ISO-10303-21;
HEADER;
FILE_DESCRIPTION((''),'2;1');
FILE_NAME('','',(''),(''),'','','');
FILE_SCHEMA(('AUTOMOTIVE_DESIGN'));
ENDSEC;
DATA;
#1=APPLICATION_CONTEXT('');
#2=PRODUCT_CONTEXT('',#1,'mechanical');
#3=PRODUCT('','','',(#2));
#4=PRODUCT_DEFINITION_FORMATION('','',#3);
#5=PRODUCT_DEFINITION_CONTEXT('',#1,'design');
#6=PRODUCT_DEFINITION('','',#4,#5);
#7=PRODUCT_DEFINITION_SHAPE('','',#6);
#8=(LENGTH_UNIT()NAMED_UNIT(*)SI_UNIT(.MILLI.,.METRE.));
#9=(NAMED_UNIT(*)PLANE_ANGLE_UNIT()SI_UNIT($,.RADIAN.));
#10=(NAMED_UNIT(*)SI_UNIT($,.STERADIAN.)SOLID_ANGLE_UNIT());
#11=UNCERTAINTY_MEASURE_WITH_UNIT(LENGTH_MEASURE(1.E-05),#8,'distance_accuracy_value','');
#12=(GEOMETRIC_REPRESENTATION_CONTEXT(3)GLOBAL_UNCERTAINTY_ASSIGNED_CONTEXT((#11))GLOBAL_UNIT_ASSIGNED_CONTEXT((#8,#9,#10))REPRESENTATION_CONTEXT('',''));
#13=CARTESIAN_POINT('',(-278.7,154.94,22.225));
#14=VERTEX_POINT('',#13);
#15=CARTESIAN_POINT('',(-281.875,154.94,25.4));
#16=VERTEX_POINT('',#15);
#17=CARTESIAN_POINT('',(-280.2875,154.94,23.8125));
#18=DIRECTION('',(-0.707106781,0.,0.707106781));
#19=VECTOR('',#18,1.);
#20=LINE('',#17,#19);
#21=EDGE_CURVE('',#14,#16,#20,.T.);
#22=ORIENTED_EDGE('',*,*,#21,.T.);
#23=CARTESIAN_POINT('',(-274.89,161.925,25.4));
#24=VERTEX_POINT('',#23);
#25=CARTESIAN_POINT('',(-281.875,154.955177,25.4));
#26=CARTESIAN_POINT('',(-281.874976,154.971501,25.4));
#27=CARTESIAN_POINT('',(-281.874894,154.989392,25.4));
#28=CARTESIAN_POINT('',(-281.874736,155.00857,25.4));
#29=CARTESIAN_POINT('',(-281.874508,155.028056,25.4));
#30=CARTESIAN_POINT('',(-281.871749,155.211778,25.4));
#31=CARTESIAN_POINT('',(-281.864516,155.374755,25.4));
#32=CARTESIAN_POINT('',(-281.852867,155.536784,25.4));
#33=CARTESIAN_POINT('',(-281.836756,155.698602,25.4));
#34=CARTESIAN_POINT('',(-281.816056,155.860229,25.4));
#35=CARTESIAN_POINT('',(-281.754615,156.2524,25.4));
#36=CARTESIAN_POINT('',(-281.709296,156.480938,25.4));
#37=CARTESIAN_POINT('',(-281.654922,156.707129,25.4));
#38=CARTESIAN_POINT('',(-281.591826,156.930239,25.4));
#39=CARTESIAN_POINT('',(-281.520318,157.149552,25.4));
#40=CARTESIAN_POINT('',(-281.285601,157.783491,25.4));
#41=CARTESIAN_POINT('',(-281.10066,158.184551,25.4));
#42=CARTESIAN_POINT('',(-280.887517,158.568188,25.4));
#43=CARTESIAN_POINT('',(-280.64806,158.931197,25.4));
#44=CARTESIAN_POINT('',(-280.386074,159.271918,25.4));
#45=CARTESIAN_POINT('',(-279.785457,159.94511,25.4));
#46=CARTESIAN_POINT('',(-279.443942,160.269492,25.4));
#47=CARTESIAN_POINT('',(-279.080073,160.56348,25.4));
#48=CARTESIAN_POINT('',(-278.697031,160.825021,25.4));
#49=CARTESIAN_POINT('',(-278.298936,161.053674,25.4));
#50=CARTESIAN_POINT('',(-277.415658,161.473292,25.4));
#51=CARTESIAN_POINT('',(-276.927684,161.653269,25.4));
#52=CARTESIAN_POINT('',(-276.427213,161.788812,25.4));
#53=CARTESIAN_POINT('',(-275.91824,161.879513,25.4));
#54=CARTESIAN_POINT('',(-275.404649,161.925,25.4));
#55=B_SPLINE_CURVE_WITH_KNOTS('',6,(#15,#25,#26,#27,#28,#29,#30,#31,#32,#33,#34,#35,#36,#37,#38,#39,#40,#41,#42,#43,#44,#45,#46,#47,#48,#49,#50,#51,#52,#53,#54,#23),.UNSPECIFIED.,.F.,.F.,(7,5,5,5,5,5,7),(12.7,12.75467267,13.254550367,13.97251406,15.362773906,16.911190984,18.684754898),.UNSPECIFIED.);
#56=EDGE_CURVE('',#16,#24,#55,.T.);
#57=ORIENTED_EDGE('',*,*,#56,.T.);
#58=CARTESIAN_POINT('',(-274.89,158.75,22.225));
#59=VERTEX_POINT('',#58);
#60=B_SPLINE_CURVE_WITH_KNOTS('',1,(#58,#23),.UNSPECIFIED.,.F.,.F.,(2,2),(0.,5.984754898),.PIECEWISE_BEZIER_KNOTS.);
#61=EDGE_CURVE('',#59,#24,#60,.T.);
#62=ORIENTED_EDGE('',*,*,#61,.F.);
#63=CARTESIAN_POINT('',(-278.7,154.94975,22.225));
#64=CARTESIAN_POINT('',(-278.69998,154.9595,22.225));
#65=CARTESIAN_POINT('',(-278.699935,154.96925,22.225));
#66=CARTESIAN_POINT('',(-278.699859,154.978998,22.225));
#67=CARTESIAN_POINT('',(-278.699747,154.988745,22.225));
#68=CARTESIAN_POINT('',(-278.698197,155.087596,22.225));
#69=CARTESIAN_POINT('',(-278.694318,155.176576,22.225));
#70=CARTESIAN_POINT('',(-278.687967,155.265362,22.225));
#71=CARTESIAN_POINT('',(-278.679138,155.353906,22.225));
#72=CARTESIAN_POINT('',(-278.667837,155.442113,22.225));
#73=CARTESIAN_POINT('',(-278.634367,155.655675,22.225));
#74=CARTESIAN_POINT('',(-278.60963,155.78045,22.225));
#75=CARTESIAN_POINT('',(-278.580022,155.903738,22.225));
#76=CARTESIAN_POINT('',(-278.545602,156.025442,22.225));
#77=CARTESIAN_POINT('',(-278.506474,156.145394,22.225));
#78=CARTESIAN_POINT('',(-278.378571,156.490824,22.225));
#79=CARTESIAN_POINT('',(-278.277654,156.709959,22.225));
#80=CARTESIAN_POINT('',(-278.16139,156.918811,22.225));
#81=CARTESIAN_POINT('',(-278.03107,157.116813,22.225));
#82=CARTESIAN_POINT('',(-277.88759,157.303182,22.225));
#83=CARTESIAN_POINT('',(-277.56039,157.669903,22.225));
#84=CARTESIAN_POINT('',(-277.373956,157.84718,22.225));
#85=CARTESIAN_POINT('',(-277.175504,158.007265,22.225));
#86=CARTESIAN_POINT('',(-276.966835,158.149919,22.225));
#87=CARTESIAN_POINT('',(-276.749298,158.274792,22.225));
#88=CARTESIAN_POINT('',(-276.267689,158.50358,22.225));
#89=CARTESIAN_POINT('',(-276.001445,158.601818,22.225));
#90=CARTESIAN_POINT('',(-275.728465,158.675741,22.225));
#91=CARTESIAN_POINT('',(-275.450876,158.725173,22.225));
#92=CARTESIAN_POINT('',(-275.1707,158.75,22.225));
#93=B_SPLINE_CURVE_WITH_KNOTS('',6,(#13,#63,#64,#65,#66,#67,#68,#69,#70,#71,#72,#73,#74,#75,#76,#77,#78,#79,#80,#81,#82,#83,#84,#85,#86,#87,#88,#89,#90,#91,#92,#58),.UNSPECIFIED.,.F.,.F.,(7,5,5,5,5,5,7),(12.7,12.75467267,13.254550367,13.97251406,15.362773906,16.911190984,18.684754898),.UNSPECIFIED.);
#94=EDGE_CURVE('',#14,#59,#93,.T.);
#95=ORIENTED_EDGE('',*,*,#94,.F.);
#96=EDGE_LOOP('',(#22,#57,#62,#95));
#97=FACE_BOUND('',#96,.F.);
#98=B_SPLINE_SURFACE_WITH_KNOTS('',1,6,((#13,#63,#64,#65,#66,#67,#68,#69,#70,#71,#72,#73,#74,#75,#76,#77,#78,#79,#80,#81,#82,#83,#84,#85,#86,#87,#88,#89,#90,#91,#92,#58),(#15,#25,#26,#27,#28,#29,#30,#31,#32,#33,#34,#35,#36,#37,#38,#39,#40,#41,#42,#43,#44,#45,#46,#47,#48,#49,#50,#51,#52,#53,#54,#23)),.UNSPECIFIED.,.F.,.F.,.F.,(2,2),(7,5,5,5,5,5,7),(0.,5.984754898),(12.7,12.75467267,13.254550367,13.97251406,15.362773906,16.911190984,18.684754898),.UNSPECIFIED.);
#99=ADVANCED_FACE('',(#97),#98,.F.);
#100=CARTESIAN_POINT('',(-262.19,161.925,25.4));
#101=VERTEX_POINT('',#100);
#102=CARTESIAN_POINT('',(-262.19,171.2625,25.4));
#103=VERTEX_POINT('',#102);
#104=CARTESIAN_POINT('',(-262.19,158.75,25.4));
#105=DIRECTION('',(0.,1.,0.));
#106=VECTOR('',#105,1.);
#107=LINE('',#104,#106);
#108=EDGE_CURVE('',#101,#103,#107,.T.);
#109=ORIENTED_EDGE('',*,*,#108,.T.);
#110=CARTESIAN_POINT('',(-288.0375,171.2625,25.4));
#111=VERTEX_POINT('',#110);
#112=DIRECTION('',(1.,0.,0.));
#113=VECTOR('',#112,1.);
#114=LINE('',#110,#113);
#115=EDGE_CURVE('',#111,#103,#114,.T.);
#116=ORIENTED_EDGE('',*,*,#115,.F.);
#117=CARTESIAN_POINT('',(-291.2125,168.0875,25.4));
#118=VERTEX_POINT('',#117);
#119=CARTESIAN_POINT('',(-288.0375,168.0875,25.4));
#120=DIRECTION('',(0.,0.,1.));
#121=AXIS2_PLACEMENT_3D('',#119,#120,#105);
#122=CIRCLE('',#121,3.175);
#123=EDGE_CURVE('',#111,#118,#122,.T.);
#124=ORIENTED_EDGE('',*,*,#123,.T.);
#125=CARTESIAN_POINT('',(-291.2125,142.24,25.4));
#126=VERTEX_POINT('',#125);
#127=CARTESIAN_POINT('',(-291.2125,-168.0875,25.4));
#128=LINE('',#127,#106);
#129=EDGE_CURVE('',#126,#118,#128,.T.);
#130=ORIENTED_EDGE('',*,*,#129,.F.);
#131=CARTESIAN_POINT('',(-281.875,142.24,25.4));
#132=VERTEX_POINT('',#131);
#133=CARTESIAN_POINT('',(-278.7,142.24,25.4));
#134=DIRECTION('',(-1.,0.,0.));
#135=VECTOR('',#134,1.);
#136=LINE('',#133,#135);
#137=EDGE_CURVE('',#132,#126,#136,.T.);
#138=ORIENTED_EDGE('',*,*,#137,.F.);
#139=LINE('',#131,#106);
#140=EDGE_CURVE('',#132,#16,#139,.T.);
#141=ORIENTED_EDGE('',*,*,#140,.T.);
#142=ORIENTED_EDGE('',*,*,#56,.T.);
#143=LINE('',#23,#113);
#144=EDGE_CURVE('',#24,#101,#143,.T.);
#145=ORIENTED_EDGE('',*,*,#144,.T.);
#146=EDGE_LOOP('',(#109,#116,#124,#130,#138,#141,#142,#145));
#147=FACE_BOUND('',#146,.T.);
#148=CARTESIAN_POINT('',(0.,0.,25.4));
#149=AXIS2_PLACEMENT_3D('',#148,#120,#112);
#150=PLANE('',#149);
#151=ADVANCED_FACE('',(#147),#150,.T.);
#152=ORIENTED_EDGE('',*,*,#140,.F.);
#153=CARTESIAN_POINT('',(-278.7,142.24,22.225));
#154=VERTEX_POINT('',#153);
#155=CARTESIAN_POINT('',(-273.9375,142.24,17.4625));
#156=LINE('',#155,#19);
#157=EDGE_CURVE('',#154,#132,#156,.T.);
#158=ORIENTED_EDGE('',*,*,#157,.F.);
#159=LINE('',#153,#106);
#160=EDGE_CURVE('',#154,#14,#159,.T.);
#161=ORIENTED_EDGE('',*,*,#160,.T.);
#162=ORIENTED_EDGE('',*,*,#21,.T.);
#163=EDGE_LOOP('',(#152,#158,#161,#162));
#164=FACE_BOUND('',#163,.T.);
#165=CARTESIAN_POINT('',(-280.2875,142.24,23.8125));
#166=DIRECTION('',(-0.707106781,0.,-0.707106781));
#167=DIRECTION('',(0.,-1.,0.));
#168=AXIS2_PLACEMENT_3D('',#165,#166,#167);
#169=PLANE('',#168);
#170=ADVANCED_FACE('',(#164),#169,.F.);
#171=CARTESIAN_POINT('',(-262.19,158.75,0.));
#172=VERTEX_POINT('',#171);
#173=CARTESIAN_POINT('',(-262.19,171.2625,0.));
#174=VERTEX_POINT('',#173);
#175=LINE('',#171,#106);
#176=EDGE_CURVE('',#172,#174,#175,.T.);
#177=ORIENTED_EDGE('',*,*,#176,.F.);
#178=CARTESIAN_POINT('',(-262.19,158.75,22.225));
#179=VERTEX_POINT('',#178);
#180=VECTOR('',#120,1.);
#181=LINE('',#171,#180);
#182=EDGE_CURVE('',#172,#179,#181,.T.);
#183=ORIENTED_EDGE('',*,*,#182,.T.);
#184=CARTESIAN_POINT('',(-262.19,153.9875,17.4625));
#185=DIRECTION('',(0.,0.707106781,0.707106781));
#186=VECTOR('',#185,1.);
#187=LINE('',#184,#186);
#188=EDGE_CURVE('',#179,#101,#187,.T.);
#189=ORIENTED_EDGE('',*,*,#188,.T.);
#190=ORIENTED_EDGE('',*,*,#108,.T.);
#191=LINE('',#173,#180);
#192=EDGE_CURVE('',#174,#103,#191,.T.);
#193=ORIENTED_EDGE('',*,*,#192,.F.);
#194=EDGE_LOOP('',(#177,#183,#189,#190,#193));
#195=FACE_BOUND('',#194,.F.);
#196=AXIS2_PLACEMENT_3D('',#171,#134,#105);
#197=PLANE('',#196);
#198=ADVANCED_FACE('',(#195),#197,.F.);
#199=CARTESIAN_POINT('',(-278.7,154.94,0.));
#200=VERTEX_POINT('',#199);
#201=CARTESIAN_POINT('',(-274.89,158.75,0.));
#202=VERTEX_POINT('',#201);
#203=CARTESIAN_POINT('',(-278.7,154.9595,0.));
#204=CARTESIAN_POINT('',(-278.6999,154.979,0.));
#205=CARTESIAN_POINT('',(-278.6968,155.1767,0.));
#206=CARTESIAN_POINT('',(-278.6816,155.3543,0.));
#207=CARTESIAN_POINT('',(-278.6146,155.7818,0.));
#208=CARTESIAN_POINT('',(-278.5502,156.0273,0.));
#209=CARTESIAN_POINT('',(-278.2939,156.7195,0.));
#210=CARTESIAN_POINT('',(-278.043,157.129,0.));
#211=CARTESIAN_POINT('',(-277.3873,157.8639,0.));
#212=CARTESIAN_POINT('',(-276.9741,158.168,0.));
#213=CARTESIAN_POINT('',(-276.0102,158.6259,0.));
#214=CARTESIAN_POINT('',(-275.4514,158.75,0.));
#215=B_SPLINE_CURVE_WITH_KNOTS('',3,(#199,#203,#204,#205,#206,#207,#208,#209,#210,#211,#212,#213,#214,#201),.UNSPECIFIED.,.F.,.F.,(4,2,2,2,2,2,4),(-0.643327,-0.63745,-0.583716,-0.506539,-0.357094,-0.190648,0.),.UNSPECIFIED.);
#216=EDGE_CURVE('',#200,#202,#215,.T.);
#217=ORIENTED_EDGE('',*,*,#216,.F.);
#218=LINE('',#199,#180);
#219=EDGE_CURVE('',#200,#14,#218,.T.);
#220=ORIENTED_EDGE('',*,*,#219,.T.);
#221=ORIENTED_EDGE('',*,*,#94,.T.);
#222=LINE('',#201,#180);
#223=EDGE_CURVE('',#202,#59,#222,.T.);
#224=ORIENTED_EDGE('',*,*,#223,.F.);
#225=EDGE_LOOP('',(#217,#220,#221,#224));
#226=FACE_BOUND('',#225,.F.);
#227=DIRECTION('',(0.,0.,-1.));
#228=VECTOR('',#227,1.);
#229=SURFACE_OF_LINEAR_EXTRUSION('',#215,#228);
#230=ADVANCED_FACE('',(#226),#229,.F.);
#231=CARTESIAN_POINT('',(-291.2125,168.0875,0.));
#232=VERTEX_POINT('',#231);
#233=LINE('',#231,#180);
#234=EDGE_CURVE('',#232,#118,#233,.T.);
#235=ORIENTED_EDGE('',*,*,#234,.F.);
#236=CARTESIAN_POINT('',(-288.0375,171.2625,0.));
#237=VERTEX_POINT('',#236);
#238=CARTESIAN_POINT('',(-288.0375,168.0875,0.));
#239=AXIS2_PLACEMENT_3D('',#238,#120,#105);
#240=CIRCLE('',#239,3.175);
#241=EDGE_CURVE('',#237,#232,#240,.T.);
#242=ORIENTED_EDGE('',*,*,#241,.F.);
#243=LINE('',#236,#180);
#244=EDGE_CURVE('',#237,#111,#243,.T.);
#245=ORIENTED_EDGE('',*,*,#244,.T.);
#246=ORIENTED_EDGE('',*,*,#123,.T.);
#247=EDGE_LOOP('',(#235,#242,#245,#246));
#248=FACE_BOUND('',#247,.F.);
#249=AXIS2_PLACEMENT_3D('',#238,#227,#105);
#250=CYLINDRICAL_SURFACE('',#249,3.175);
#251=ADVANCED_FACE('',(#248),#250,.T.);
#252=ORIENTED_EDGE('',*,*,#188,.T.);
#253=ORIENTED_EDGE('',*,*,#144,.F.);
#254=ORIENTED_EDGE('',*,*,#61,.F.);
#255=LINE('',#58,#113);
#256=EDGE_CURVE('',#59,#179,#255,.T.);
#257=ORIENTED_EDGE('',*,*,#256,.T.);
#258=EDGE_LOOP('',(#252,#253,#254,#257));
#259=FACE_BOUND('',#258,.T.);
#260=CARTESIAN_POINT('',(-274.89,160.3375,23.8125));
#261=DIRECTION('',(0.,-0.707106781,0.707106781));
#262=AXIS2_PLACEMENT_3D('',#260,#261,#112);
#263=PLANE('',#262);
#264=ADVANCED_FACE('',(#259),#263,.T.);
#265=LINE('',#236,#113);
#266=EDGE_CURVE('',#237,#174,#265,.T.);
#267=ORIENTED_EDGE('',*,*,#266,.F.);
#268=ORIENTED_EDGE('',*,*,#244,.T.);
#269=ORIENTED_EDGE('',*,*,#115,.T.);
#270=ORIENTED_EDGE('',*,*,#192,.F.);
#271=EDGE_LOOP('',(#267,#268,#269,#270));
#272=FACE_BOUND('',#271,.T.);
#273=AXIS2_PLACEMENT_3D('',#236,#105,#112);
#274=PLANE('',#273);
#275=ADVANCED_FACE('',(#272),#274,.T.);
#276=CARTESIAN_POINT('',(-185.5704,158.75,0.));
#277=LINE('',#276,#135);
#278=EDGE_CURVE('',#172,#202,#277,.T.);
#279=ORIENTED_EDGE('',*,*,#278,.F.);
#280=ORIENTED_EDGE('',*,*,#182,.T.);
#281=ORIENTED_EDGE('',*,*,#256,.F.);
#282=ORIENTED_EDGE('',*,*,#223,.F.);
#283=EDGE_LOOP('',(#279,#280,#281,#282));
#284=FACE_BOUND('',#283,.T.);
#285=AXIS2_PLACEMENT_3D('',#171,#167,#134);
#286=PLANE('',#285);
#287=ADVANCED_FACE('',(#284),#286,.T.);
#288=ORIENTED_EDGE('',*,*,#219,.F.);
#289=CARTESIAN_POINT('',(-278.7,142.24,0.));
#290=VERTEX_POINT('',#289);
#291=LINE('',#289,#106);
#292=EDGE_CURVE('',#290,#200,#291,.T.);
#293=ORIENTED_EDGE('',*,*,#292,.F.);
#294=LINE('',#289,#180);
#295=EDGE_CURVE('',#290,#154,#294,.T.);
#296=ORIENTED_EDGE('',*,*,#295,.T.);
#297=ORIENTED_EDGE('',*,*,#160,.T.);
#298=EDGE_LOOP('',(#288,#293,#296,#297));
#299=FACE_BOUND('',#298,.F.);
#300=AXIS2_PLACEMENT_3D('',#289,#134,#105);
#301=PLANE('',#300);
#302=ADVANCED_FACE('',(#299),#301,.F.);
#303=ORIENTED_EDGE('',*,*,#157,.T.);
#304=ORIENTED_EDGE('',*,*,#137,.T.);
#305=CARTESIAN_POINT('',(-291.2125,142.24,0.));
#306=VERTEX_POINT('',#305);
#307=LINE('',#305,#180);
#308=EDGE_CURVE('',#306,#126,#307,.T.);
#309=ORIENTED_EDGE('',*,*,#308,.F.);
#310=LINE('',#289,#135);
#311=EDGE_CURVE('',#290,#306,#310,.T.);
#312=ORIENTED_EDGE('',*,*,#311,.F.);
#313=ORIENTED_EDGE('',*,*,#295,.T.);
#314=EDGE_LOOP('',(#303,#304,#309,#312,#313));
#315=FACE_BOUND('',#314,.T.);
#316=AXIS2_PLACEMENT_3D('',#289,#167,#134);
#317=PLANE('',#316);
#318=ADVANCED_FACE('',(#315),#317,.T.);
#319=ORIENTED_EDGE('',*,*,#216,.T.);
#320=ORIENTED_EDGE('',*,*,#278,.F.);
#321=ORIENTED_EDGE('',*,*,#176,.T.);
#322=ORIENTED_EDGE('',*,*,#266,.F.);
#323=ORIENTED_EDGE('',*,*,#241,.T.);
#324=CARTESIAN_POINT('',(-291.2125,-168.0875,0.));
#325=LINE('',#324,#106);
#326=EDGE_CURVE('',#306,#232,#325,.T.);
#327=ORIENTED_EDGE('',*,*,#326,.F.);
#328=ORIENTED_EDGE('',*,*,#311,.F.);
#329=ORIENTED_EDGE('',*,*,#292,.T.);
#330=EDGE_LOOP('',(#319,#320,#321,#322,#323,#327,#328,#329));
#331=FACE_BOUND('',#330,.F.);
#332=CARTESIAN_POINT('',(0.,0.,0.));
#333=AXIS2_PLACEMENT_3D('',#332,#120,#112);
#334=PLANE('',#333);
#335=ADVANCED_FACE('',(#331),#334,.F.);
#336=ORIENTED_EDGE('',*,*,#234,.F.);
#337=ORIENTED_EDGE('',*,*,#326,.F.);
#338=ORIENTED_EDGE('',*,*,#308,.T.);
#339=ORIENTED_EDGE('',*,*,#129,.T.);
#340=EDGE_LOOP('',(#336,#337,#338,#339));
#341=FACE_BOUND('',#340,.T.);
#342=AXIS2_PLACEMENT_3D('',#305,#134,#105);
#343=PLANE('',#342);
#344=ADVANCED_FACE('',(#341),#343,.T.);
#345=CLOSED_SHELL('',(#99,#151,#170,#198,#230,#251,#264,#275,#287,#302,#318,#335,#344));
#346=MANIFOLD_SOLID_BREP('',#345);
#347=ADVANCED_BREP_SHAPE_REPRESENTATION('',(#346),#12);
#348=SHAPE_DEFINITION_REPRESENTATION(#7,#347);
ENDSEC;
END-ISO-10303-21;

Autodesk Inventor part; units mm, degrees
ref_plane "YZ Plane" through (0, 0, 0) normal (1, 0, 0) x (0, 1, 0)
ref_plane "XZ Plane" through (0, 0, 0) normal (0, 1, 0) x (-1, 0, 0)
ref_plane "XY Plane" through (0, 0, 0) normal (0, 0, 1) x (1, 0, 0)
ref_plane "Work Plane1" through (0, 0, 0) normal (0, 0, 1) x (1, 0, 0)
sketch "Sketch1" plane through (0, 0, 0) normal (0, 0, 1) x (1, 0, 0)
  line L0 (-291.2125, -168.0875) -> (-291.2125, 168.0875) projected
  arc A0 (-291.2125, -168.0875) -> (-288.0375, -171.2625) centre (-288.0375, -168.0875) ccw projected
  line L1 (288.0375, -171.2625) -> (-288.0375, -171.2625) projected
  arc A1 (-288.0375, 171.2625) -> (-291.2125, 168.0875) centre (-288.0375, 168.0875) ccw projected
  line L2 (-288.0375, 171.2625) -> (288.0375, 171.2625) projected
  line L3 (-278.7, 142.24) -> (-278.7, 154.94) projected
  spline S0 degree 3 poles (-278.7, 154.94) (-278.7, 154.9595) (-278.6999, 154.979) (-278.6968, 155.1767) (-278.6816, 155.3543) (-278.6146, 155.7818) (-278.5502, 156.0273) (-278.2939, 156.7195) (-278.043, 157.129) (-277.3873, 157.8639) (-276.9741, 158.168) (-276.0102, 158.6259) (-275.4514, 158.75) (-274.89, 158.75) knots -0.643327 -0.643327 -0.643327 -0.643327 -0.63745 -0.63745 -0.583716 -0.583716 -0.506539 -0.506539 -0.357094 -0.357094 -0.190648 -0.190648 0 0 0 0 projected
  line L4 (-185.5704, 158.75) -> (-274.89, 158.75) projected
  line L5 (-278.7, 142.24) -> (-291.2125, 142.24)
  line L6 (-274.89, 158.75) -> (-262.19, 158.75)
  line L7 (-262.19, 158.75) -> (-262.19, 171.2625)
  point P0 (0, 0)
  dimension "d0" = 12.7
extrude "Extrusion1" add sketch "Sketch1" along normal blind 25.4
chamfer "Chamfer1" distance 3.175 angle 45 3 edges at (-277.5032, 157.7126, 25.4) (-268.54, 158.75, 25.4) (-278.7, 148.59, 25.4)
properties material "ABS Plastic"
